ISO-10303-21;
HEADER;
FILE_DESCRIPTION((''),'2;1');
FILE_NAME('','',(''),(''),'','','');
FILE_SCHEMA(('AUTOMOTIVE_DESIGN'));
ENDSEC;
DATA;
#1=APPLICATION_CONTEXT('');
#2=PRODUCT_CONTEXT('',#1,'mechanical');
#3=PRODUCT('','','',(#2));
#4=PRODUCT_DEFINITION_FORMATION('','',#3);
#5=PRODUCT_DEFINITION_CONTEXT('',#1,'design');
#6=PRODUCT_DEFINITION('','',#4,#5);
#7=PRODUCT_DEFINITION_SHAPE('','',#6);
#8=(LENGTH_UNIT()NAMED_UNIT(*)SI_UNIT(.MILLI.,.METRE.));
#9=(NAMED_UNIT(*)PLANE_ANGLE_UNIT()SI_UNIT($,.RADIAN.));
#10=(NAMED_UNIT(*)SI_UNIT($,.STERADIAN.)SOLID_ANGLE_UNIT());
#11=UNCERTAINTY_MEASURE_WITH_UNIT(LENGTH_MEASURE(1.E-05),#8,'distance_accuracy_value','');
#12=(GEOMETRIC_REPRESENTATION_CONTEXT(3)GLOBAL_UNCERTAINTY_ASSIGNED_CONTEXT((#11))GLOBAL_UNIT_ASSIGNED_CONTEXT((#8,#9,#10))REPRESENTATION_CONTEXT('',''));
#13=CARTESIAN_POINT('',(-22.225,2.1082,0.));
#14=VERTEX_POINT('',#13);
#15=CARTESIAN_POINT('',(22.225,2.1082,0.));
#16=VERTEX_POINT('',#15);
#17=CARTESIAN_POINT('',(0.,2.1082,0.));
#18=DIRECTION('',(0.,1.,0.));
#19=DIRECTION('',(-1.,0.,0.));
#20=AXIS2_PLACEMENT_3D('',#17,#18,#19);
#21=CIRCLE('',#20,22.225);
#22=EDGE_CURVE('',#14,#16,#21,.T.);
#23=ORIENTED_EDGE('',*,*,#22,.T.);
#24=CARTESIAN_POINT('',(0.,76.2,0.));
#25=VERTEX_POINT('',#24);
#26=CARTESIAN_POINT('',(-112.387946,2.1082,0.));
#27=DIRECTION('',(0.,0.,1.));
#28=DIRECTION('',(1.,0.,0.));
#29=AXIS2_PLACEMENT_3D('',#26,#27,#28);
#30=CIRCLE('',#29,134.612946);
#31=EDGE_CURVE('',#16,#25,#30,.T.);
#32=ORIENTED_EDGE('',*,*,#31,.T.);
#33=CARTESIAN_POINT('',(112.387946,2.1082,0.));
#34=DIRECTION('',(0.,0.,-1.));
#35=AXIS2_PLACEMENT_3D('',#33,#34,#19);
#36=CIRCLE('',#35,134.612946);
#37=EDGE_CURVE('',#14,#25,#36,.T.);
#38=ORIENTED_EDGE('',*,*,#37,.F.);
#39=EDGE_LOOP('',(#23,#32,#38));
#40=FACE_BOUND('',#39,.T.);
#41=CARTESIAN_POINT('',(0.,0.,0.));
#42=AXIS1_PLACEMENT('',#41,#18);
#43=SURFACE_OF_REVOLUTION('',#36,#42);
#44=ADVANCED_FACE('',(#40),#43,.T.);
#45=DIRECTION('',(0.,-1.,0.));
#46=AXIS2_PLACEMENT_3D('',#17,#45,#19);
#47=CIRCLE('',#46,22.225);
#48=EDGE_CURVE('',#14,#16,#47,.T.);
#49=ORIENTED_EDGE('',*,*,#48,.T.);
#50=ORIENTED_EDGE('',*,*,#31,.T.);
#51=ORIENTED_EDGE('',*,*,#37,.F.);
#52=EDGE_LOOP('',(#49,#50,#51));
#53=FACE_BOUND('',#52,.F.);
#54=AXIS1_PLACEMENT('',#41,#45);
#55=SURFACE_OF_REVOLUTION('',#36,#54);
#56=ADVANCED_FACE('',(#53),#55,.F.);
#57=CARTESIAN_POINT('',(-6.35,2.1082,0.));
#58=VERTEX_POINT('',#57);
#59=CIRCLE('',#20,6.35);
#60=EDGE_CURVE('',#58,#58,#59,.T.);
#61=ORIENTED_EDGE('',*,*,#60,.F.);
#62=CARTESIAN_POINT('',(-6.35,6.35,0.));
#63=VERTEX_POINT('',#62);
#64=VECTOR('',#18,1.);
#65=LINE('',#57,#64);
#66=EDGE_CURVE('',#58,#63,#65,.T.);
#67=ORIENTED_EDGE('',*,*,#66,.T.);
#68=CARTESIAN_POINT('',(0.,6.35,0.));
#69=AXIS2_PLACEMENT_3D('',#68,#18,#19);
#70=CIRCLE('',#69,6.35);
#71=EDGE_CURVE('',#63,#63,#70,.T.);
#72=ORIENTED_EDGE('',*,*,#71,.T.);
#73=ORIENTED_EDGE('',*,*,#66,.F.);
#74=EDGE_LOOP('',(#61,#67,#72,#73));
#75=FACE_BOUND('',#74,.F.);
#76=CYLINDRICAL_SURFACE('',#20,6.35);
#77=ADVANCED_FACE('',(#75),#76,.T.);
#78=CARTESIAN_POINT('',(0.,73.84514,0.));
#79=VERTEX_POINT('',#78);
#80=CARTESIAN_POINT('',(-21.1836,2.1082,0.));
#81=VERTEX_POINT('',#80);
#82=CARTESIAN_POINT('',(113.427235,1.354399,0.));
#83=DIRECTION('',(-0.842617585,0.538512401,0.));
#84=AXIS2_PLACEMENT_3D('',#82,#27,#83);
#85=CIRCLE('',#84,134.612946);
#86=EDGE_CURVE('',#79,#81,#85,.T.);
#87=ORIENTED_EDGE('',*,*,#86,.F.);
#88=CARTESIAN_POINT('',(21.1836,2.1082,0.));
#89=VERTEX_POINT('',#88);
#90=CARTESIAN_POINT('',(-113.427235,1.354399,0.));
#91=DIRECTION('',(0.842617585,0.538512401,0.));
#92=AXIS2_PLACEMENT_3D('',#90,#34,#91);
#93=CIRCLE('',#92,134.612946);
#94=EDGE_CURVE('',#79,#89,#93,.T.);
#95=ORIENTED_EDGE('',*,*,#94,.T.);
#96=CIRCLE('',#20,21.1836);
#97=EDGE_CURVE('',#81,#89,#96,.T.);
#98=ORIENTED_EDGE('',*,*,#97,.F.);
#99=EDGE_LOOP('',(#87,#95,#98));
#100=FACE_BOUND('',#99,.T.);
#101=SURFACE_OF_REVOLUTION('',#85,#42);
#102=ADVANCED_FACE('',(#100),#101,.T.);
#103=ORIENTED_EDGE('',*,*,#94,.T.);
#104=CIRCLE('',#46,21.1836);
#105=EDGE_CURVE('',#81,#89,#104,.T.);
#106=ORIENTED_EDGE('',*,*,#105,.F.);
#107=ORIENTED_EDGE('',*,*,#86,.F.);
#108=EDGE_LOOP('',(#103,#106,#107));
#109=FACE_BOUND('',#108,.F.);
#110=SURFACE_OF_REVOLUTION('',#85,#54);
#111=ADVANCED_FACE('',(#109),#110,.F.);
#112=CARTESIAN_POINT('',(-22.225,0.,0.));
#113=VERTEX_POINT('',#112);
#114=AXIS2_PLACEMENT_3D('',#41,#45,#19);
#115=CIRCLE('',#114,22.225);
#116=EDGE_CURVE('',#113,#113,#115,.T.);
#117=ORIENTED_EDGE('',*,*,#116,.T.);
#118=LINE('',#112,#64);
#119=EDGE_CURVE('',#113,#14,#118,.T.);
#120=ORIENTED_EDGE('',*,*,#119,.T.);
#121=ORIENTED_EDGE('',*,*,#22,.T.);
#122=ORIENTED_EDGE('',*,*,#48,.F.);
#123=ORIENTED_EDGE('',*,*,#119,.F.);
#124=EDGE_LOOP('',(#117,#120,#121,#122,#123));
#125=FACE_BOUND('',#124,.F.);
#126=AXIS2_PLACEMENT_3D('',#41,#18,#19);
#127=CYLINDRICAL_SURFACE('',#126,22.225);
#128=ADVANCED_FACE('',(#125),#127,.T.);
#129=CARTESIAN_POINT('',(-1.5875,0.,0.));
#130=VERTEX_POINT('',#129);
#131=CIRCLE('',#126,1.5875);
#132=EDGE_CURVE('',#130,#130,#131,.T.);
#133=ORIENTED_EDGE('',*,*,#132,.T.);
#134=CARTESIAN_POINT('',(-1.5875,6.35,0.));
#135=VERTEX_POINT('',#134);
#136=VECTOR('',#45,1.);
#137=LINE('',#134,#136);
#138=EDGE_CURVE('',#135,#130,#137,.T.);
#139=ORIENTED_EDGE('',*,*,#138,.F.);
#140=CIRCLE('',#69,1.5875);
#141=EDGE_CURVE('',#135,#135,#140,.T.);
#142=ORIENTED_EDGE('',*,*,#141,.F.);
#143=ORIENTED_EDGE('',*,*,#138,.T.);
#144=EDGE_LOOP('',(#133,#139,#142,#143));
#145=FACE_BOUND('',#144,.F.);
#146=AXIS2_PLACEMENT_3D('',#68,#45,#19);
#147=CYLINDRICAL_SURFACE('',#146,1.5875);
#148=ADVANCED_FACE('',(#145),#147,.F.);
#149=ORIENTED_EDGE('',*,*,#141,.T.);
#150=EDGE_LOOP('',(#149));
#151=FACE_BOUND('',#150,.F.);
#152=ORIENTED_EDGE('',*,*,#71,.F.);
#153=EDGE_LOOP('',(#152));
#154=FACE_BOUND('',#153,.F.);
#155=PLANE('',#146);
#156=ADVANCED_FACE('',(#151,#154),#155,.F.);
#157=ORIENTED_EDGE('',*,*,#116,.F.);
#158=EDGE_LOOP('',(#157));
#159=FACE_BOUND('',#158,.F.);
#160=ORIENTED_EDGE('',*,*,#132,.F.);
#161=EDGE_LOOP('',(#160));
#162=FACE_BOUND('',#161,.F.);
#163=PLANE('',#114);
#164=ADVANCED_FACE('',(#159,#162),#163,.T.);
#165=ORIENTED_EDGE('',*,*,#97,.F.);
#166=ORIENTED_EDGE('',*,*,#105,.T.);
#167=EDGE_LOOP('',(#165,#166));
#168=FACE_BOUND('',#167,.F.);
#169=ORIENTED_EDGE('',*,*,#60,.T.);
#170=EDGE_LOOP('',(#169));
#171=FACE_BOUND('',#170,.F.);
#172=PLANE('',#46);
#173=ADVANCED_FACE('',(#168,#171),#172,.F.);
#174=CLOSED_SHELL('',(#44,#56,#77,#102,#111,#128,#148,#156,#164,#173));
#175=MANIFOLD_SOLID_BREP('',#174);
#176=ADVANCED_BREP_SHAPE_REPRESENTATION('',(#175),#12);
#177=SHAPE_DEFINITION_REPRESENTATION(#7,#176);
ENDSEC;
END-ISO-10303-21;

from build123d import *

# Parameters (mm, degrees)
REVOLVE1_ANGLE = 360


with BuildPart() as part:
    # Sketch1 → Revolve1 (revolve, symmetric)
    with BuildSketch(Plane.XY) as revolve1_sk:
        with BuildLine():
            Line((-1.5875, 0), (-22.225, 0))
            Line((-22.225, 0), (-22.225, 2.1082))
            ThreePointArc((-22.225, 2.1082), (-16.549088511, 40.784890177), (0, 76.2))
            Line((0, 76.2), (0, 73.845140026))
            ThreePointArc((0, 73.845140026), (-15.674539498, 39.477580428), (-21.1836, 2.1082))
            Line((-21.1836, 2.1082), (-6.35, 2.1082))
            Line((-6.35, 2.1082), (-6.35, 6.35))
            Line((-6.35, 6.35), (-1.5875, 6.35))
            Line((-1.5875, 6.35), (-1.5875, 2.1082))
            Line((-1.5875, 2.1082), (-1.5875, 0))
        make_face()
    revolve(axis=Axis((0, 0, 0), (0, 1, 0)), revolution_arc=REVOLVE1_ANGLE / 2)
    revolve(revolve1_sk.sketch, axis=Axis((0, 0, 0), (0, -1, 0)), revolution_arc=REVOLVE1_ANGLE / 2)


solid = part.part
